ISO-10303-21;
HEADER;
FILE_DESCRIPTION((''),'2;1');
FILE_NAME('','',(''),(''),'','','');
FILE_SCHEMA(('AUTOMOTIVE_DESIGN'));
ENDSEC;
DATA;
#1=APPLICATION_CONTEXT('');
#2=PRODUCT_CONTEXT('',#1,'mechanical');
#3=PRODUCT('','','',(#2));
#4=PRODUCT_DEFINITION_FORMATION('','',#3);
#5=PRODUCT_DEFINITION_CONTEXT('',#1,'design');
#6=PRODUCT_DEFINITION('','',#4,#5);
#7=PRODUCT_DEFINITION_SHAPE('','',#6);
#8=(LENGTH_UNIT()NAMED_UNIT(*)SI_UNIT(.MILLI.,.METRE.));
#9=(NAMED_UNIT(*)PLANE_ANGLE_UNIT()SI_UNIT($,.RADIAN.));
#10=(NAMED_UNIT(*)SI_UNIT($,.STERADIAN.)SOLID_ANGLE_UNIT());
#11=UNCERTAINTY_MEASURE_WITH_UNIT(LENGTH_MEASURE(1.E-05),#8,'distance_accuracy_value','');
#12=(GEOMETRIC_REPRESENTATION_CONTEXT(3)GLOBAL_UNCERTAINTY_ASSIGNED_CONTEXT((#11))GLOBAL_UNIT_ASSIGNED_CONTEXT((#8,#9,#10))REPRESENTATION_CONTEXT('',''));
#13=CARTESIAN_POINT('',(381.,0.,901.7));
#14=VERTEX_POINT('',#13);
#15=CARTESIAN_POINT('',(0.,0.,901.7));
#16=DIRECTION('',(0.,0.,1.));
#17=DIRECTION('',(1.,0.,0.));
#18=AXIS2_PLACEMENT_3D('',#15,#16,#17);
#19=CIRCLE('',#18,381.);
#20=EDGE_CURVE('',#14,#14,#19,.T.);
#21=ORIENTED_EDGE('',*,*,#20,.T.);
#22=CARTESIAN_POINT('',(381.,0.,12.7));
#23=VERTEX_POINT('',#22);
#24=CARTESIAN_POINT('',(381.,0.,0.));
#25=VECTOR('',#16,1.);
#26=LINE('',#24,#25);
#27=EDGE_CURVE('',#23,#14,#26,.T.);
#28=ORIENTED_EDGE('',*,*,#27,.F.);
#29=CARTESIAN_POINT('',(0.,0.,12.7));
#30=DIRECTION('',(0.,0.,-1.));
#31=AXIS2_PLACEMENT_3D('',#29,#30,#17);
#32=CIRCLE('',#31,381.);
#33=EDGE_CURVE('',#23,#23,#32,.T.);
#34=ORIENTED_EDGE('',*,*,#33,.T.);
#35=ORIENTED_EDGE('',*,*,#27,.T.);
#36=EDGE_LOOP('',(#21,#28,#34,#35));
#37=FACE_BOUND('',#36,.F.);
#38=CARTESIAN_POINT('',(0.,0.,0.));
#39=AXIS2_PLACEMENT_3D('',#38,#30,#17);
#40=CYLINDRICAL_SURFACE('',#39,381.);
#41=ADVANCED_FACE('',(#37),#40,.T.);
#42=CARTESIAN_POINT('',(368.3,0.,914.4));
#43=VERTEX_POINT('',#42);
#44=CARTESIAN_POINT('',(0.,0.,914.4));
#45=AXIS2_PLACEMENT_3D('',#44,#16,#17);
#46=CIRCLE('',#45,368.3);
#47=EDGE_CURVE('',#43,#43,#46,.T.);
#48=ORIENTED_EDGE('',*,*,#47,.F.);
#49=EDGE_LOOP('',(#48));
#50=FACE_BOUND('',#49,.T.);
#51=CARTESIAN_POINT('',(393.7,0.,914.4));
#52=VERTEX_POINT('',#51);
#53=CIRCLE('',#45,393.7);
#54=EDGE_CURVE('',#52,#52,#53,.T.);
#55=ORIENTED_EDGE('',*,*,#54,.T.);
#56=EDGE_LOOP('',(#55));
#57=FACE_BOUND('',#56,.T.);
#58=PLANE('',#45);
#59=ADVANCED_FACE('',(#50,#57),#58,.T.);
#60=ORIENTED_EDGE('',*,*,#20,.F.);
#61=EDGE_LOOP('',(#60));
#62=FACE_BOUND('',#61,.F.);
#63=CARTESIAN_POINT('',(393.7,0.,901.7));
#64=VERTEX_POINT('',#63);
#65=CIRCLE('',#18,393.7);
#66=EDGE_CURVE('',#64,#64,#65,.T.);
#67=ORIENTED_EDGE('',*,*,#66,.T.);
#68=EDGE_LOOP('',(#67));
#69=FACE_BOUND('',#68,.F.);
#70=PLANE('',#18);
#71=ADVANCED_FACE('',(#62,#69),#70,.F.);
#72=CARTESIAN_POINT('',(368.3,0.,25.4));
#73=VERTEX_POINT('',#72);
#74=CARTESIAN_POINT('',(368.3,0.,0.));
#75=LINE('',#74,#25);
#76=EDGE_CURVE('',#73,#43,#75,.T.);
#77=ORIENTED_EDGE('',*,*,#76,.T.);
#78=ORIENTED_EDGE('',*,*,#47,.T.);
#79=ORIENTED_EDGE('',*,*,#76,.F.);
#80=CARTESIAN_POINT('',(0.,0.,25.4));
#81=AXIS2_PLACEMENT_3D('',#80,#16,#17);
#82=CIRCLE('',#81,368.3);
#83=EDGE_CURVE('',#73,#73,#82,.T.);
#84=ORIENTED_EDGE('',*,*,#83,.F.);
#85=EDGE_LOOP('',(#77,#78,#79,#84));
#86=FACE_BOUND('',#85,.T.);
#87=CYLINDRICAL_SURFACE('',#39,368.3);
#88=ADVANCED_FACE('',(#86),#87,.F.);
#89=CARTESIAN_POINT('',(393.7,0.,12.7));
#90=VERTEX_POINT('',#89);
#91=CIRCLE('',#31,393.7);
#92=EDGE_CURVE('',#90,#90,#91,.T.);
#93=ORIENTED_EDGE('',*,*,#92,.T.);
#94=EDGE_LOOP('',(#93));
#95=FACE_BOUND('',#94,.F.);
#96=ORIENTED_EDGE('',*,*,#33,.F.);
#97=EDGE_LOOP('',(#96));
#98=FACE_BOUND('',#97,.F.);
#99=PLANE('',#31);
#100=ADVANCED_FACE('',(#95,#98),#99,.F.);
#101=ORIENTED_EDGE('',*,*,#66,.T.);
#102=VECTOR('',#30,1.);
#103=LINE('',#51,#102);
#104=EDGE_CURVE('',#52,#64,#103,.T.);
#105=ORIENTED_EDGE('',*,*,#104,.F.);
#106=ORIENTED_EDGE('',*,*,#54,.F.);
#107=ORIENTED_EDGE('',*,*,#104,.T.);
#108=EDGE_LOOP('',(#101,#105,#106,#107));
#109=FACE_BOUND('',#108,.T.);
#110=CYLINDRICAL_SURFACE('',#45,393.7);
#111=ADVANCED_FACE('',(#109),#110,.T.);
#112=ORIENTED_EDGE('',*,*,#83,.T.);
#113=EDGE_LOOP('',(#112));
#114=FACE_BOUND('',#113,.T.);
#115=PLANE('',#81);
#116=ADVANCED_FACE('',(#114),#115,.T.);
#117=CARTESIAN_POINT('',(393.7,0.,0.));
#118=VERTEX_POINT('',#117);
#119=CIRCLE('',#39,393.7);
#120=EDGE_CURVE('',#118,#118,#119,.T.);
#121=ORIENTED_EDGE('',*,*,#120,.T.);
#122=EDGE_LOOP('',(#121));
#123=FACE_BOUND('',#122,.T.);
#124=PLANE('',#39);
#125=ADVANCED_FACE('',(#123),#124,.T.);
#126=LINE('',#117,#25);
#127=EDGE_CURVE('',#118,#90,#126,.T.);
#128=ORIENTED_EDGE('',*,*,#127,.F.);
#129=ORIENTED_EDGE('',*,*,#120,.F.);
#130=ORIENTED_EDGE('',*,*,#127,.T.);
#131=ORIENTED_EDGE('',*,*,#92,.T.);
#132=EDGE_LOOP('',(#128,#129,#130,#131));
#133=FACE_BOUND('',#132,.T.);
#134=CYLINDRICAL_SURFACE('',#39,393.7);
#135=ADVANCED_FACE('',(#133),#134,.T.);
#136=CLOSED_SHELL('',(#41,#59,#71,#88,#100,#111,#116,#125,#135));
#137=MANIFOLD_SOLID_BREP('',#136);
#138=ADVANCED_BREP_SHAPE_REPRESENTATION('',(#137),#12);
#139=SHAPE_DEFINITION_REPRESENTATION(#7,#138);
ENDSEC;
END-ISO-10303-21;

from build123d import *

# Parameters (mm, degrees)
F0_R     = 368.3
F1_DEPTH = 25.4
F0_R_2   = 381
F2_DEPTH = 914.4
F3_R     = 393.7
F3_R_2   = 381
F4_DEPTH = 12.7
F5_R     = 393.7
F5_R_2   = 381
F6_DEPTH = 12.7


with BuildPart() as f1:
    # F0 (on Top) → F1 (new body)
    with BuildSketch(Plane.XY):
        Circle(F0_R)
    extrude(amount=F1_DEPTH)

    # F0 (on Top) → F2 (join)
    with BuildSketch(Plane.XY):
        Circle(F0_R_2)
        Circle(F0_R, mode=Mode.SUBTRACT)
    extrude(amount=F2_DEPTH)

    # F3 (on face) → F4 (join)
    with BuildSketch(Plane(origin=(0, 0, 0), x_dir=(1, 0, 0), z_dir=(0, 0, -1))):
        Circle(F3_R)
        Circle(F3_R_2, mode=Mode.SUBTRACT)
    extrude(amount=-F4_DEPTH)

    # F5 (on face) → F6 (join)
    with BuildSketch(Plane.XY.offset(914.4)):
        Circle(F5_R)
        Circle(F5_R_2, mode=Mode.SUBTRACT)
    extrude(amount=-F6_DEPTH)


solid = f1.part
